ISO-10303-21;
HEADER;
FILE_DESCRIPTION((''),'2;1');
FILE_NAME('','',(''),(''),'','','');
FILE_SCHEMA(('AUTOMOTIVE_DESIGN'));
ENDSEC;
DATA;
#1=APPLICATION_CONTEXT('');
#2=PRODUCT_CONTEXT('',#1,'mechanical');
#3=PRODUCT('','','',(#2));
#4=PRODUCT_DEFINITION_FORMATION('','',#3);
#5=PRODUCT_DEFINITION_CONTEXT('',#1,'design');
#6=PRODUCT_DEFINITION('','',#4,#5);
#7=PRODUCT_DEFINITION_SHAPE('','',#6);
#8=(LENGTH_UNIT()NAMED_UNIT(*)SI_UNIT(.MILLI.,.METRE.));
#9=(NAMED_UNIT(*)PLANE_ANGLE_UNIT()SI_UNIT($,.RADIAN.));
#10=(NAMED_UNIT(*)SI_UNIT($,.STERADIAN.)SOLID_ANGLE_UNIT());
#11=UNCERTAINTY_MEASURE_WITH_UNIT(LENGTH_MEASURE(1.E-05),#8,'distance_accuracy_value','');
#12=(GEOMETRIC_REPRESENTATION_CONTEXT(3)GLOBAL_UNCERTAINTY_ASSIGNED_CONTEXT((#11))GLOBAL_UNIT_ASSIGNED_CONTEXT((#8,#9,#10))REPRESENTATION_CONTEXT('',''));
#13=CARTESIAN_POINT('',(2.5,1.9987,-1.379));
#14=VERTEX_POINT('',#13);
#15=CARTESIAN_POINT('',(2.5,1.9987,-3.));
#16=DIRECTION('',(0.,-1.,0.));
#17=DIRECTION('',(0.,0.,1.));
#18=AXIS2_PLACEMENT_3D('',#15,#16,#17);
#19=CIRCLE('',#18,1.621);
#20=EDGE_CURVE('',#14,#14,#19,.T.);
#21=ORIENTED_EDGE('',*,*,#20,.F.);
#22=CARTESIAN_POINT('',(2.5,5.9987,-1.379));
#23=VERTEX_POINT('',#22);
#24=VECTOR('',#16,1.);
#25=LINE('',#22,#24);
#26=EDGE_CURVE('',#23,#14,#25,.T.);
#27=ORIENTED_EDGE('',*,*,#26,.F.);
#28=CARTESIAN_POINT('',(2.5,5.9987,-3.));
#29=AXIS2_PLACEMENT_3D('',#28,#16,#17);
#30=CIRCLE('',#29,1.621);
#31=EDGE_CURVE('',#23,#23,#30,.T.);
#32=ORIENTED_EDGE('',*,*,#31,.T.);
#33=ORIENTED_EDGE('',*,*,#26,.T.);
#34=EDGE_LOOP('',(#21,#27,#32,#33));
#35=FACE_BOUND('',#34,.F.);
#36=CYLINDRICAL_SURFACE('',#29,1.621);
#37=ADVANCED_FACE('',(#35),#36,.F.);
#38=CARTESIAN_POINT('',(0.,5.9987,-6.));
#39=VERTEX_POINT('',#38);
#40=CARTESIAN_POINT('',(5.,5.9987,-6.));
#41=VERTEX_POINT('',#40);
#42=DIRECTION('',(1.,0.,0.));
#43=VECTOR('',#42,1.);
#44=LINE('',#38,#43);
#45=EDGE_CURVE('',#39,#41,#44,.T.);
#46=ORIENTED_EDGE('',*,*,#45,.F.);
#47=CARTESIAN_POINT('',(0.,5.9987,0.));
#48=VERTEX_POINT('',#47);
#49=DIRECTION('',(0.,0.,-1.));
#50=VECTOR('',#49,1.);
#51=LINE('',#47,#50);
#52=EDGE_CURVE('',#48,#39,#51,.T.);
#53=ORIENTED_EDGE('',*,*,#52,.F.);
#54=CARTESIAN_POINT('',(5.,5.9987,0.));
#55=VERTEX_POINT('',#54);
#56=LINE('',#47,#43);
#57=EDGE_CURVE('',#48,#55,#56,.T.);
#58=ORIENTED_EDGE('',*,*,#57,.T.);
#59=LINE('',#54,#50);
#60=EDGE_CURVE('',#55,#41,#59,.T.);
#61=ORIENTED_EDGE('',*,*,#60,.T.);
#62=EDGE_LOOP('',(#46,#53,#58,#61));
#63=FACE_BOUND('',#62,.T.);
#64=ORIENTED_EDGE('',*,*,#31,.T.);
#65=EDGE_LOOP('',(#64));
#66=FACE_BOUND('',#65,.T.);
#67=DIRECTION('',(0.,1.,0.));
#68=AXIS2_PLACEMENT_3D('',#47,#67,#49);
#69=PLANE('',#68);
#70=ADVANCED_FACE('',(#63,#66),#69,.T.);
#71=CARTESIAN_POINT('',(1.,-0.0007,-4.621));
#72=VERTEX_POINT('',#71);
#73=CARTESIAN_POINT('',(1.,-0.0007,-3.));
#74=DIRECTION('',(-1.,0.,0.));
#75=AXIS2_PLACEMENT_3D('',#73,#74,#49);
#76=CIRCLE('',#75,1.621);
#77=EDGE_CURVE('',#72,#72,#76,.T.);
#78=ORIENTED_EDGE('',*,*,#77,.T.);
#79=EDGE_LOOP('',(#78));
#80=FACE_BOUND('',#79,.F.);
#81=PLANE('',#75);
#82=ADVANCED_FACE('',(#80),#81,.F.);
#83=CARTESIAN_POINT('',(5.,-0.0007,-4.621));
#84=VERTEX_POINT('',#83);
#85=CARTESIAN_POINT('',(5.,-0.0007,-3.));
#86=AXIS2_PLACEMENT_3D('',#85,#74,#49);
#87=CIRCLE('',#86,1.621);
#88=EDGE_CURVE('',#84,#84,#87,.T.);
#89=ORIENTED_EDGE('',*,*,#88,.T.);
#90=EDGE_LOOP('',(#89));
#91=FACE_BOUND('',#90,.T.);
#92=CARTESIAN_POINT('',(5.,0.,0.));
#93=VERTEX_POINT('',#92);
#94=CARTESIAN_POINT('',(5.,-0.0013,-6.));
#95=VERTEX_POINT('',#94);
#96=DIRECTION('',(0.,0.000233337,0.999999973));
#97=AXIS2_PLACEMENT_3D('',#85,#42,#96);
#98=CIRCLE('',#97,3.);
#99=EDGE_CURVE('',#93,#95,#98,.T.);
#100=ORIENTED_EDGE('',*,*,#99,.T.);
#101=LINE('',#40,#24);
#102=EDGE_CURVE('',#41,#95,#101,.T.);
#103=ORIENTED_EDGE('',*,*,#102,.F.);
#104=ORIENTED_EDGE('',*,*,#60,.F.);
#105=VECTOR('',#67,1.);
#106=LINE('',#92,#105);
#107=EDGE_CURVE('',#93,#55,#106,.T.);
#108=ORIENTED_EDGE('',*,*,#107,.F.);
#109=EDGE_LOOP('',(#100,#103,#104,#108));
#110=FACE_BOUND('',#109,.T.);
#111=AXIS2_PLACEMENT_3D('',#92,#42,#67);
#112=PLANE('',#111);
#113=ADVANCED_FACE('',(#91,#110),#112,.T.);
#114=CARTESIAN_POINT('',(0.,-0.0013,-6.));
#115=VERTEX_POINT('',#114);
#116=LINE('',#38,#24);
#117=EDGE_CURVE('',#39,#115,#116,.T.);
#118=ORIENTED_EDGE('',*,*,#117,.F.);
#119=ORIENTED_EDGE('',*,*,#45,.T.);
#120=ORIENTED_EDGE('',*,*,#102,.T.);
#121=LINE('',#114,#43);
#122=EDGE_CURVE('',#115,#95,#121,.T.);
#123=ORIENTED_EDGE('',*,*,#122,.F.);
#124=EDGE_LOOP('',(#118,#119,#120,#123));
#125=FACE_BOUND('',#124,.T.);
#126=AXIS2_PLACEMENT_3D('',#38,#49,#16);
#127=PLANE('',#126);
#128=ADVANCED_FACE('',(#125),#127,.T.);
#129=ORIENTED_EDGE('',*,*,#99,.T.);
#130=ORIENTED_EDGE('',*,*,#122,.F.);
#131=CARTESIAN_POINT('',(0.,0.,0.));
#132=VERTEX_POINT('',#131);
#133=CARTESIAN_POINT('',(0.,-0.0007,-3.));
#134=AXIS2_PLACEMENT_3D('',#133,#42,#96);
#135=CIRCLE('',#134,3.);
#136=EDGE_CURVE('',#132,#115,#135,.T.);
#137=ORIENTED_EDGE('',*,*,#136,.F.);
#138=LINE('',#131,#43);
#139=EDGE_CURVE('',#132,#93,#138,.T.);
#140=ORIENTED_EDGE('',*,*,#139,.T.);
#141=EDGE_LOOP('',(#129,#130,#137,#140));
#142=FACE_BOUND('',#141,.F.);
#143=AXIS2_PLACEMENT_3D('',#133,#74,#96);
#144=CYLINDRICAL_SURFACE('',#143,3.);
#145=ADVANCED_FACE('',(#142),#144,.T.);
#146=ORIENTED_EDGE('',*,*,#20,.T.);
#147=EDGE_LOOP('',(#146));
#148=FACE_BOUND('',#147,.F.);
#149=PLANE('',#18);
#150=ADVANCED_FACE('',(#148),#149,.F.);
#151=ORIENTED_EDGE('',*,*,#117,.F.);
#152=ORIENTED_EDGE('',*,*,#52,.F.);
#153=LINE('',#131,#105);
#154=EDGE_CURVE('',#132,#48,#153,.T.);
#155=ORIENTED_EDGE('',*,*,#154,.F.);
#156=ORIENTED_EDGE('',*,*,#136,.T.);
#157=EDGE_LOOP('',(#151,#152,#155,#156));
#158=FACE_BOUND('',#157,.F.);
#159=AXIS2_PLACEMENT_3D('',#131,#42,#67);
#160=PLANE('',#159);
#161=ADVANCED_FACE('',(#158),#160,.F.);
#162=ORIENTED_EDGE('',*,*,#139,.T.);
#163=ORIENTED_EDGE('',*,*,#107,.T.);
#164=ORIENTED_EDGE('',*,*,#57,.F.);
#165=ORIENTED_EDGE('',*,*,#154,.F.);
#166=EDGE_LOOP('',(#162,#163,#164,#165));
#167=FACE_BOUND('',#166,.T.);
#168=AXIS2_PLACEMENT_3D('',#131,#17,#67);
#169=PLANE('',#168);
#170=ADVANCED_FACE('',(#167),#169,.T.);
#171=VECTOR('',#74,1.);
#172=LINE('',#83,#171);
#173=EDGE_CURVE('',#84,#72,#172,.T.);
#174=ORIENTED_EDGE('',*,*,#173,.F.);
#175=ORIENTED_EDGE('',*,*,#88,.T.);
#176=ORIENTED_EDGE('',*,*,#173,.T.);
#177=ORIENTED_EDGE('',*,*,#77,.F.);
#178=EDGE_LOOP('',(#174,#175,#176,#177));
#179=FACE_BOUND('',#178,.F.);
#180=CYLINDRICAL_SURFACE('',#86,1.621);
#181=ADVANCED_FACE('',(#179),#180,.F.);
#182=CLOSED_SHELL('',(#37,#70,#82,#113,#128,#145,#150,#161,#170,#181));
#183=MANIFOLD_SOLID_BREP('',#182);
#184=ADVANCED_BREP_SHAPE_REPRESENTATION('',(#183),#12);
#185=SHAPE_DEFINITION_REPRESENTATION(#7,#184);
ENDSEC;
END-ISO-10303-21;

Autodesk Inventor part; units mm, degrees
ref_plane "YZ Plane" through (0, 0, 0) normal (1, 0, 0) x (0, 1, 0)
ref_plane "XZ Plane" through (0, 0, 0) normal (0, 1, 0) x (-1, 0, 0)
ref_plane "XY Plane" through (0, 0, 0) normal (0, 0, 1) x (1, 0, 0)
sketch "Esboço1" plane through (0, 0, 0) normal (1, 0, 0) x (0, 1, 0)
  line L0 (0, 0) -> (5.9987, 0)
  line L1 (5.9987, 0) -> (5.9987, -6)
  line L2 (5.9987, -6) -> (-0.0013, -6)
  arc A0 (0, 0) -> (-0.0013, -6) centre (-0.0007, -3) ccw
  dimension "d0" = 6
  dimension "d1" = 6
  dimension "d3" = 3
extrude "Extrusão1" add sketch "Esboço1" along normal blind 5
sketch "Esboço2" plane through (5, 0, 0) normal (1, 0, 0) x (0, 0, -1)
  arc A0 (0, 0) -> (6, -0.0013) centre (3, -0.0007) ccw projected
hole "Furo1" at (5, -0.0007, -3) direction (-1, 0, 0) diameter 3.242 depth 4 thread size "M4x0.7" class "6H" standard "ANSI Metric M Profile"
sketch "Esboço3" plane through (0, 5.9987, 0) normal (0, 1, 0) x (1, 0, 0)
  line L0 (5, 0) -> (5, 6) projected
  line L1 (0, 6) -> (0, 0) projected
  point P0 (2.5, 3)
hole "Furo2" at (2.5, 5.9987, -3) direction (0, -1, 0) diameter 3.242 depth 4 thread size "M4x0.7" class "6H" standard "ANSI Metric M Profile"
properties part number "CONECTOR U-L"
